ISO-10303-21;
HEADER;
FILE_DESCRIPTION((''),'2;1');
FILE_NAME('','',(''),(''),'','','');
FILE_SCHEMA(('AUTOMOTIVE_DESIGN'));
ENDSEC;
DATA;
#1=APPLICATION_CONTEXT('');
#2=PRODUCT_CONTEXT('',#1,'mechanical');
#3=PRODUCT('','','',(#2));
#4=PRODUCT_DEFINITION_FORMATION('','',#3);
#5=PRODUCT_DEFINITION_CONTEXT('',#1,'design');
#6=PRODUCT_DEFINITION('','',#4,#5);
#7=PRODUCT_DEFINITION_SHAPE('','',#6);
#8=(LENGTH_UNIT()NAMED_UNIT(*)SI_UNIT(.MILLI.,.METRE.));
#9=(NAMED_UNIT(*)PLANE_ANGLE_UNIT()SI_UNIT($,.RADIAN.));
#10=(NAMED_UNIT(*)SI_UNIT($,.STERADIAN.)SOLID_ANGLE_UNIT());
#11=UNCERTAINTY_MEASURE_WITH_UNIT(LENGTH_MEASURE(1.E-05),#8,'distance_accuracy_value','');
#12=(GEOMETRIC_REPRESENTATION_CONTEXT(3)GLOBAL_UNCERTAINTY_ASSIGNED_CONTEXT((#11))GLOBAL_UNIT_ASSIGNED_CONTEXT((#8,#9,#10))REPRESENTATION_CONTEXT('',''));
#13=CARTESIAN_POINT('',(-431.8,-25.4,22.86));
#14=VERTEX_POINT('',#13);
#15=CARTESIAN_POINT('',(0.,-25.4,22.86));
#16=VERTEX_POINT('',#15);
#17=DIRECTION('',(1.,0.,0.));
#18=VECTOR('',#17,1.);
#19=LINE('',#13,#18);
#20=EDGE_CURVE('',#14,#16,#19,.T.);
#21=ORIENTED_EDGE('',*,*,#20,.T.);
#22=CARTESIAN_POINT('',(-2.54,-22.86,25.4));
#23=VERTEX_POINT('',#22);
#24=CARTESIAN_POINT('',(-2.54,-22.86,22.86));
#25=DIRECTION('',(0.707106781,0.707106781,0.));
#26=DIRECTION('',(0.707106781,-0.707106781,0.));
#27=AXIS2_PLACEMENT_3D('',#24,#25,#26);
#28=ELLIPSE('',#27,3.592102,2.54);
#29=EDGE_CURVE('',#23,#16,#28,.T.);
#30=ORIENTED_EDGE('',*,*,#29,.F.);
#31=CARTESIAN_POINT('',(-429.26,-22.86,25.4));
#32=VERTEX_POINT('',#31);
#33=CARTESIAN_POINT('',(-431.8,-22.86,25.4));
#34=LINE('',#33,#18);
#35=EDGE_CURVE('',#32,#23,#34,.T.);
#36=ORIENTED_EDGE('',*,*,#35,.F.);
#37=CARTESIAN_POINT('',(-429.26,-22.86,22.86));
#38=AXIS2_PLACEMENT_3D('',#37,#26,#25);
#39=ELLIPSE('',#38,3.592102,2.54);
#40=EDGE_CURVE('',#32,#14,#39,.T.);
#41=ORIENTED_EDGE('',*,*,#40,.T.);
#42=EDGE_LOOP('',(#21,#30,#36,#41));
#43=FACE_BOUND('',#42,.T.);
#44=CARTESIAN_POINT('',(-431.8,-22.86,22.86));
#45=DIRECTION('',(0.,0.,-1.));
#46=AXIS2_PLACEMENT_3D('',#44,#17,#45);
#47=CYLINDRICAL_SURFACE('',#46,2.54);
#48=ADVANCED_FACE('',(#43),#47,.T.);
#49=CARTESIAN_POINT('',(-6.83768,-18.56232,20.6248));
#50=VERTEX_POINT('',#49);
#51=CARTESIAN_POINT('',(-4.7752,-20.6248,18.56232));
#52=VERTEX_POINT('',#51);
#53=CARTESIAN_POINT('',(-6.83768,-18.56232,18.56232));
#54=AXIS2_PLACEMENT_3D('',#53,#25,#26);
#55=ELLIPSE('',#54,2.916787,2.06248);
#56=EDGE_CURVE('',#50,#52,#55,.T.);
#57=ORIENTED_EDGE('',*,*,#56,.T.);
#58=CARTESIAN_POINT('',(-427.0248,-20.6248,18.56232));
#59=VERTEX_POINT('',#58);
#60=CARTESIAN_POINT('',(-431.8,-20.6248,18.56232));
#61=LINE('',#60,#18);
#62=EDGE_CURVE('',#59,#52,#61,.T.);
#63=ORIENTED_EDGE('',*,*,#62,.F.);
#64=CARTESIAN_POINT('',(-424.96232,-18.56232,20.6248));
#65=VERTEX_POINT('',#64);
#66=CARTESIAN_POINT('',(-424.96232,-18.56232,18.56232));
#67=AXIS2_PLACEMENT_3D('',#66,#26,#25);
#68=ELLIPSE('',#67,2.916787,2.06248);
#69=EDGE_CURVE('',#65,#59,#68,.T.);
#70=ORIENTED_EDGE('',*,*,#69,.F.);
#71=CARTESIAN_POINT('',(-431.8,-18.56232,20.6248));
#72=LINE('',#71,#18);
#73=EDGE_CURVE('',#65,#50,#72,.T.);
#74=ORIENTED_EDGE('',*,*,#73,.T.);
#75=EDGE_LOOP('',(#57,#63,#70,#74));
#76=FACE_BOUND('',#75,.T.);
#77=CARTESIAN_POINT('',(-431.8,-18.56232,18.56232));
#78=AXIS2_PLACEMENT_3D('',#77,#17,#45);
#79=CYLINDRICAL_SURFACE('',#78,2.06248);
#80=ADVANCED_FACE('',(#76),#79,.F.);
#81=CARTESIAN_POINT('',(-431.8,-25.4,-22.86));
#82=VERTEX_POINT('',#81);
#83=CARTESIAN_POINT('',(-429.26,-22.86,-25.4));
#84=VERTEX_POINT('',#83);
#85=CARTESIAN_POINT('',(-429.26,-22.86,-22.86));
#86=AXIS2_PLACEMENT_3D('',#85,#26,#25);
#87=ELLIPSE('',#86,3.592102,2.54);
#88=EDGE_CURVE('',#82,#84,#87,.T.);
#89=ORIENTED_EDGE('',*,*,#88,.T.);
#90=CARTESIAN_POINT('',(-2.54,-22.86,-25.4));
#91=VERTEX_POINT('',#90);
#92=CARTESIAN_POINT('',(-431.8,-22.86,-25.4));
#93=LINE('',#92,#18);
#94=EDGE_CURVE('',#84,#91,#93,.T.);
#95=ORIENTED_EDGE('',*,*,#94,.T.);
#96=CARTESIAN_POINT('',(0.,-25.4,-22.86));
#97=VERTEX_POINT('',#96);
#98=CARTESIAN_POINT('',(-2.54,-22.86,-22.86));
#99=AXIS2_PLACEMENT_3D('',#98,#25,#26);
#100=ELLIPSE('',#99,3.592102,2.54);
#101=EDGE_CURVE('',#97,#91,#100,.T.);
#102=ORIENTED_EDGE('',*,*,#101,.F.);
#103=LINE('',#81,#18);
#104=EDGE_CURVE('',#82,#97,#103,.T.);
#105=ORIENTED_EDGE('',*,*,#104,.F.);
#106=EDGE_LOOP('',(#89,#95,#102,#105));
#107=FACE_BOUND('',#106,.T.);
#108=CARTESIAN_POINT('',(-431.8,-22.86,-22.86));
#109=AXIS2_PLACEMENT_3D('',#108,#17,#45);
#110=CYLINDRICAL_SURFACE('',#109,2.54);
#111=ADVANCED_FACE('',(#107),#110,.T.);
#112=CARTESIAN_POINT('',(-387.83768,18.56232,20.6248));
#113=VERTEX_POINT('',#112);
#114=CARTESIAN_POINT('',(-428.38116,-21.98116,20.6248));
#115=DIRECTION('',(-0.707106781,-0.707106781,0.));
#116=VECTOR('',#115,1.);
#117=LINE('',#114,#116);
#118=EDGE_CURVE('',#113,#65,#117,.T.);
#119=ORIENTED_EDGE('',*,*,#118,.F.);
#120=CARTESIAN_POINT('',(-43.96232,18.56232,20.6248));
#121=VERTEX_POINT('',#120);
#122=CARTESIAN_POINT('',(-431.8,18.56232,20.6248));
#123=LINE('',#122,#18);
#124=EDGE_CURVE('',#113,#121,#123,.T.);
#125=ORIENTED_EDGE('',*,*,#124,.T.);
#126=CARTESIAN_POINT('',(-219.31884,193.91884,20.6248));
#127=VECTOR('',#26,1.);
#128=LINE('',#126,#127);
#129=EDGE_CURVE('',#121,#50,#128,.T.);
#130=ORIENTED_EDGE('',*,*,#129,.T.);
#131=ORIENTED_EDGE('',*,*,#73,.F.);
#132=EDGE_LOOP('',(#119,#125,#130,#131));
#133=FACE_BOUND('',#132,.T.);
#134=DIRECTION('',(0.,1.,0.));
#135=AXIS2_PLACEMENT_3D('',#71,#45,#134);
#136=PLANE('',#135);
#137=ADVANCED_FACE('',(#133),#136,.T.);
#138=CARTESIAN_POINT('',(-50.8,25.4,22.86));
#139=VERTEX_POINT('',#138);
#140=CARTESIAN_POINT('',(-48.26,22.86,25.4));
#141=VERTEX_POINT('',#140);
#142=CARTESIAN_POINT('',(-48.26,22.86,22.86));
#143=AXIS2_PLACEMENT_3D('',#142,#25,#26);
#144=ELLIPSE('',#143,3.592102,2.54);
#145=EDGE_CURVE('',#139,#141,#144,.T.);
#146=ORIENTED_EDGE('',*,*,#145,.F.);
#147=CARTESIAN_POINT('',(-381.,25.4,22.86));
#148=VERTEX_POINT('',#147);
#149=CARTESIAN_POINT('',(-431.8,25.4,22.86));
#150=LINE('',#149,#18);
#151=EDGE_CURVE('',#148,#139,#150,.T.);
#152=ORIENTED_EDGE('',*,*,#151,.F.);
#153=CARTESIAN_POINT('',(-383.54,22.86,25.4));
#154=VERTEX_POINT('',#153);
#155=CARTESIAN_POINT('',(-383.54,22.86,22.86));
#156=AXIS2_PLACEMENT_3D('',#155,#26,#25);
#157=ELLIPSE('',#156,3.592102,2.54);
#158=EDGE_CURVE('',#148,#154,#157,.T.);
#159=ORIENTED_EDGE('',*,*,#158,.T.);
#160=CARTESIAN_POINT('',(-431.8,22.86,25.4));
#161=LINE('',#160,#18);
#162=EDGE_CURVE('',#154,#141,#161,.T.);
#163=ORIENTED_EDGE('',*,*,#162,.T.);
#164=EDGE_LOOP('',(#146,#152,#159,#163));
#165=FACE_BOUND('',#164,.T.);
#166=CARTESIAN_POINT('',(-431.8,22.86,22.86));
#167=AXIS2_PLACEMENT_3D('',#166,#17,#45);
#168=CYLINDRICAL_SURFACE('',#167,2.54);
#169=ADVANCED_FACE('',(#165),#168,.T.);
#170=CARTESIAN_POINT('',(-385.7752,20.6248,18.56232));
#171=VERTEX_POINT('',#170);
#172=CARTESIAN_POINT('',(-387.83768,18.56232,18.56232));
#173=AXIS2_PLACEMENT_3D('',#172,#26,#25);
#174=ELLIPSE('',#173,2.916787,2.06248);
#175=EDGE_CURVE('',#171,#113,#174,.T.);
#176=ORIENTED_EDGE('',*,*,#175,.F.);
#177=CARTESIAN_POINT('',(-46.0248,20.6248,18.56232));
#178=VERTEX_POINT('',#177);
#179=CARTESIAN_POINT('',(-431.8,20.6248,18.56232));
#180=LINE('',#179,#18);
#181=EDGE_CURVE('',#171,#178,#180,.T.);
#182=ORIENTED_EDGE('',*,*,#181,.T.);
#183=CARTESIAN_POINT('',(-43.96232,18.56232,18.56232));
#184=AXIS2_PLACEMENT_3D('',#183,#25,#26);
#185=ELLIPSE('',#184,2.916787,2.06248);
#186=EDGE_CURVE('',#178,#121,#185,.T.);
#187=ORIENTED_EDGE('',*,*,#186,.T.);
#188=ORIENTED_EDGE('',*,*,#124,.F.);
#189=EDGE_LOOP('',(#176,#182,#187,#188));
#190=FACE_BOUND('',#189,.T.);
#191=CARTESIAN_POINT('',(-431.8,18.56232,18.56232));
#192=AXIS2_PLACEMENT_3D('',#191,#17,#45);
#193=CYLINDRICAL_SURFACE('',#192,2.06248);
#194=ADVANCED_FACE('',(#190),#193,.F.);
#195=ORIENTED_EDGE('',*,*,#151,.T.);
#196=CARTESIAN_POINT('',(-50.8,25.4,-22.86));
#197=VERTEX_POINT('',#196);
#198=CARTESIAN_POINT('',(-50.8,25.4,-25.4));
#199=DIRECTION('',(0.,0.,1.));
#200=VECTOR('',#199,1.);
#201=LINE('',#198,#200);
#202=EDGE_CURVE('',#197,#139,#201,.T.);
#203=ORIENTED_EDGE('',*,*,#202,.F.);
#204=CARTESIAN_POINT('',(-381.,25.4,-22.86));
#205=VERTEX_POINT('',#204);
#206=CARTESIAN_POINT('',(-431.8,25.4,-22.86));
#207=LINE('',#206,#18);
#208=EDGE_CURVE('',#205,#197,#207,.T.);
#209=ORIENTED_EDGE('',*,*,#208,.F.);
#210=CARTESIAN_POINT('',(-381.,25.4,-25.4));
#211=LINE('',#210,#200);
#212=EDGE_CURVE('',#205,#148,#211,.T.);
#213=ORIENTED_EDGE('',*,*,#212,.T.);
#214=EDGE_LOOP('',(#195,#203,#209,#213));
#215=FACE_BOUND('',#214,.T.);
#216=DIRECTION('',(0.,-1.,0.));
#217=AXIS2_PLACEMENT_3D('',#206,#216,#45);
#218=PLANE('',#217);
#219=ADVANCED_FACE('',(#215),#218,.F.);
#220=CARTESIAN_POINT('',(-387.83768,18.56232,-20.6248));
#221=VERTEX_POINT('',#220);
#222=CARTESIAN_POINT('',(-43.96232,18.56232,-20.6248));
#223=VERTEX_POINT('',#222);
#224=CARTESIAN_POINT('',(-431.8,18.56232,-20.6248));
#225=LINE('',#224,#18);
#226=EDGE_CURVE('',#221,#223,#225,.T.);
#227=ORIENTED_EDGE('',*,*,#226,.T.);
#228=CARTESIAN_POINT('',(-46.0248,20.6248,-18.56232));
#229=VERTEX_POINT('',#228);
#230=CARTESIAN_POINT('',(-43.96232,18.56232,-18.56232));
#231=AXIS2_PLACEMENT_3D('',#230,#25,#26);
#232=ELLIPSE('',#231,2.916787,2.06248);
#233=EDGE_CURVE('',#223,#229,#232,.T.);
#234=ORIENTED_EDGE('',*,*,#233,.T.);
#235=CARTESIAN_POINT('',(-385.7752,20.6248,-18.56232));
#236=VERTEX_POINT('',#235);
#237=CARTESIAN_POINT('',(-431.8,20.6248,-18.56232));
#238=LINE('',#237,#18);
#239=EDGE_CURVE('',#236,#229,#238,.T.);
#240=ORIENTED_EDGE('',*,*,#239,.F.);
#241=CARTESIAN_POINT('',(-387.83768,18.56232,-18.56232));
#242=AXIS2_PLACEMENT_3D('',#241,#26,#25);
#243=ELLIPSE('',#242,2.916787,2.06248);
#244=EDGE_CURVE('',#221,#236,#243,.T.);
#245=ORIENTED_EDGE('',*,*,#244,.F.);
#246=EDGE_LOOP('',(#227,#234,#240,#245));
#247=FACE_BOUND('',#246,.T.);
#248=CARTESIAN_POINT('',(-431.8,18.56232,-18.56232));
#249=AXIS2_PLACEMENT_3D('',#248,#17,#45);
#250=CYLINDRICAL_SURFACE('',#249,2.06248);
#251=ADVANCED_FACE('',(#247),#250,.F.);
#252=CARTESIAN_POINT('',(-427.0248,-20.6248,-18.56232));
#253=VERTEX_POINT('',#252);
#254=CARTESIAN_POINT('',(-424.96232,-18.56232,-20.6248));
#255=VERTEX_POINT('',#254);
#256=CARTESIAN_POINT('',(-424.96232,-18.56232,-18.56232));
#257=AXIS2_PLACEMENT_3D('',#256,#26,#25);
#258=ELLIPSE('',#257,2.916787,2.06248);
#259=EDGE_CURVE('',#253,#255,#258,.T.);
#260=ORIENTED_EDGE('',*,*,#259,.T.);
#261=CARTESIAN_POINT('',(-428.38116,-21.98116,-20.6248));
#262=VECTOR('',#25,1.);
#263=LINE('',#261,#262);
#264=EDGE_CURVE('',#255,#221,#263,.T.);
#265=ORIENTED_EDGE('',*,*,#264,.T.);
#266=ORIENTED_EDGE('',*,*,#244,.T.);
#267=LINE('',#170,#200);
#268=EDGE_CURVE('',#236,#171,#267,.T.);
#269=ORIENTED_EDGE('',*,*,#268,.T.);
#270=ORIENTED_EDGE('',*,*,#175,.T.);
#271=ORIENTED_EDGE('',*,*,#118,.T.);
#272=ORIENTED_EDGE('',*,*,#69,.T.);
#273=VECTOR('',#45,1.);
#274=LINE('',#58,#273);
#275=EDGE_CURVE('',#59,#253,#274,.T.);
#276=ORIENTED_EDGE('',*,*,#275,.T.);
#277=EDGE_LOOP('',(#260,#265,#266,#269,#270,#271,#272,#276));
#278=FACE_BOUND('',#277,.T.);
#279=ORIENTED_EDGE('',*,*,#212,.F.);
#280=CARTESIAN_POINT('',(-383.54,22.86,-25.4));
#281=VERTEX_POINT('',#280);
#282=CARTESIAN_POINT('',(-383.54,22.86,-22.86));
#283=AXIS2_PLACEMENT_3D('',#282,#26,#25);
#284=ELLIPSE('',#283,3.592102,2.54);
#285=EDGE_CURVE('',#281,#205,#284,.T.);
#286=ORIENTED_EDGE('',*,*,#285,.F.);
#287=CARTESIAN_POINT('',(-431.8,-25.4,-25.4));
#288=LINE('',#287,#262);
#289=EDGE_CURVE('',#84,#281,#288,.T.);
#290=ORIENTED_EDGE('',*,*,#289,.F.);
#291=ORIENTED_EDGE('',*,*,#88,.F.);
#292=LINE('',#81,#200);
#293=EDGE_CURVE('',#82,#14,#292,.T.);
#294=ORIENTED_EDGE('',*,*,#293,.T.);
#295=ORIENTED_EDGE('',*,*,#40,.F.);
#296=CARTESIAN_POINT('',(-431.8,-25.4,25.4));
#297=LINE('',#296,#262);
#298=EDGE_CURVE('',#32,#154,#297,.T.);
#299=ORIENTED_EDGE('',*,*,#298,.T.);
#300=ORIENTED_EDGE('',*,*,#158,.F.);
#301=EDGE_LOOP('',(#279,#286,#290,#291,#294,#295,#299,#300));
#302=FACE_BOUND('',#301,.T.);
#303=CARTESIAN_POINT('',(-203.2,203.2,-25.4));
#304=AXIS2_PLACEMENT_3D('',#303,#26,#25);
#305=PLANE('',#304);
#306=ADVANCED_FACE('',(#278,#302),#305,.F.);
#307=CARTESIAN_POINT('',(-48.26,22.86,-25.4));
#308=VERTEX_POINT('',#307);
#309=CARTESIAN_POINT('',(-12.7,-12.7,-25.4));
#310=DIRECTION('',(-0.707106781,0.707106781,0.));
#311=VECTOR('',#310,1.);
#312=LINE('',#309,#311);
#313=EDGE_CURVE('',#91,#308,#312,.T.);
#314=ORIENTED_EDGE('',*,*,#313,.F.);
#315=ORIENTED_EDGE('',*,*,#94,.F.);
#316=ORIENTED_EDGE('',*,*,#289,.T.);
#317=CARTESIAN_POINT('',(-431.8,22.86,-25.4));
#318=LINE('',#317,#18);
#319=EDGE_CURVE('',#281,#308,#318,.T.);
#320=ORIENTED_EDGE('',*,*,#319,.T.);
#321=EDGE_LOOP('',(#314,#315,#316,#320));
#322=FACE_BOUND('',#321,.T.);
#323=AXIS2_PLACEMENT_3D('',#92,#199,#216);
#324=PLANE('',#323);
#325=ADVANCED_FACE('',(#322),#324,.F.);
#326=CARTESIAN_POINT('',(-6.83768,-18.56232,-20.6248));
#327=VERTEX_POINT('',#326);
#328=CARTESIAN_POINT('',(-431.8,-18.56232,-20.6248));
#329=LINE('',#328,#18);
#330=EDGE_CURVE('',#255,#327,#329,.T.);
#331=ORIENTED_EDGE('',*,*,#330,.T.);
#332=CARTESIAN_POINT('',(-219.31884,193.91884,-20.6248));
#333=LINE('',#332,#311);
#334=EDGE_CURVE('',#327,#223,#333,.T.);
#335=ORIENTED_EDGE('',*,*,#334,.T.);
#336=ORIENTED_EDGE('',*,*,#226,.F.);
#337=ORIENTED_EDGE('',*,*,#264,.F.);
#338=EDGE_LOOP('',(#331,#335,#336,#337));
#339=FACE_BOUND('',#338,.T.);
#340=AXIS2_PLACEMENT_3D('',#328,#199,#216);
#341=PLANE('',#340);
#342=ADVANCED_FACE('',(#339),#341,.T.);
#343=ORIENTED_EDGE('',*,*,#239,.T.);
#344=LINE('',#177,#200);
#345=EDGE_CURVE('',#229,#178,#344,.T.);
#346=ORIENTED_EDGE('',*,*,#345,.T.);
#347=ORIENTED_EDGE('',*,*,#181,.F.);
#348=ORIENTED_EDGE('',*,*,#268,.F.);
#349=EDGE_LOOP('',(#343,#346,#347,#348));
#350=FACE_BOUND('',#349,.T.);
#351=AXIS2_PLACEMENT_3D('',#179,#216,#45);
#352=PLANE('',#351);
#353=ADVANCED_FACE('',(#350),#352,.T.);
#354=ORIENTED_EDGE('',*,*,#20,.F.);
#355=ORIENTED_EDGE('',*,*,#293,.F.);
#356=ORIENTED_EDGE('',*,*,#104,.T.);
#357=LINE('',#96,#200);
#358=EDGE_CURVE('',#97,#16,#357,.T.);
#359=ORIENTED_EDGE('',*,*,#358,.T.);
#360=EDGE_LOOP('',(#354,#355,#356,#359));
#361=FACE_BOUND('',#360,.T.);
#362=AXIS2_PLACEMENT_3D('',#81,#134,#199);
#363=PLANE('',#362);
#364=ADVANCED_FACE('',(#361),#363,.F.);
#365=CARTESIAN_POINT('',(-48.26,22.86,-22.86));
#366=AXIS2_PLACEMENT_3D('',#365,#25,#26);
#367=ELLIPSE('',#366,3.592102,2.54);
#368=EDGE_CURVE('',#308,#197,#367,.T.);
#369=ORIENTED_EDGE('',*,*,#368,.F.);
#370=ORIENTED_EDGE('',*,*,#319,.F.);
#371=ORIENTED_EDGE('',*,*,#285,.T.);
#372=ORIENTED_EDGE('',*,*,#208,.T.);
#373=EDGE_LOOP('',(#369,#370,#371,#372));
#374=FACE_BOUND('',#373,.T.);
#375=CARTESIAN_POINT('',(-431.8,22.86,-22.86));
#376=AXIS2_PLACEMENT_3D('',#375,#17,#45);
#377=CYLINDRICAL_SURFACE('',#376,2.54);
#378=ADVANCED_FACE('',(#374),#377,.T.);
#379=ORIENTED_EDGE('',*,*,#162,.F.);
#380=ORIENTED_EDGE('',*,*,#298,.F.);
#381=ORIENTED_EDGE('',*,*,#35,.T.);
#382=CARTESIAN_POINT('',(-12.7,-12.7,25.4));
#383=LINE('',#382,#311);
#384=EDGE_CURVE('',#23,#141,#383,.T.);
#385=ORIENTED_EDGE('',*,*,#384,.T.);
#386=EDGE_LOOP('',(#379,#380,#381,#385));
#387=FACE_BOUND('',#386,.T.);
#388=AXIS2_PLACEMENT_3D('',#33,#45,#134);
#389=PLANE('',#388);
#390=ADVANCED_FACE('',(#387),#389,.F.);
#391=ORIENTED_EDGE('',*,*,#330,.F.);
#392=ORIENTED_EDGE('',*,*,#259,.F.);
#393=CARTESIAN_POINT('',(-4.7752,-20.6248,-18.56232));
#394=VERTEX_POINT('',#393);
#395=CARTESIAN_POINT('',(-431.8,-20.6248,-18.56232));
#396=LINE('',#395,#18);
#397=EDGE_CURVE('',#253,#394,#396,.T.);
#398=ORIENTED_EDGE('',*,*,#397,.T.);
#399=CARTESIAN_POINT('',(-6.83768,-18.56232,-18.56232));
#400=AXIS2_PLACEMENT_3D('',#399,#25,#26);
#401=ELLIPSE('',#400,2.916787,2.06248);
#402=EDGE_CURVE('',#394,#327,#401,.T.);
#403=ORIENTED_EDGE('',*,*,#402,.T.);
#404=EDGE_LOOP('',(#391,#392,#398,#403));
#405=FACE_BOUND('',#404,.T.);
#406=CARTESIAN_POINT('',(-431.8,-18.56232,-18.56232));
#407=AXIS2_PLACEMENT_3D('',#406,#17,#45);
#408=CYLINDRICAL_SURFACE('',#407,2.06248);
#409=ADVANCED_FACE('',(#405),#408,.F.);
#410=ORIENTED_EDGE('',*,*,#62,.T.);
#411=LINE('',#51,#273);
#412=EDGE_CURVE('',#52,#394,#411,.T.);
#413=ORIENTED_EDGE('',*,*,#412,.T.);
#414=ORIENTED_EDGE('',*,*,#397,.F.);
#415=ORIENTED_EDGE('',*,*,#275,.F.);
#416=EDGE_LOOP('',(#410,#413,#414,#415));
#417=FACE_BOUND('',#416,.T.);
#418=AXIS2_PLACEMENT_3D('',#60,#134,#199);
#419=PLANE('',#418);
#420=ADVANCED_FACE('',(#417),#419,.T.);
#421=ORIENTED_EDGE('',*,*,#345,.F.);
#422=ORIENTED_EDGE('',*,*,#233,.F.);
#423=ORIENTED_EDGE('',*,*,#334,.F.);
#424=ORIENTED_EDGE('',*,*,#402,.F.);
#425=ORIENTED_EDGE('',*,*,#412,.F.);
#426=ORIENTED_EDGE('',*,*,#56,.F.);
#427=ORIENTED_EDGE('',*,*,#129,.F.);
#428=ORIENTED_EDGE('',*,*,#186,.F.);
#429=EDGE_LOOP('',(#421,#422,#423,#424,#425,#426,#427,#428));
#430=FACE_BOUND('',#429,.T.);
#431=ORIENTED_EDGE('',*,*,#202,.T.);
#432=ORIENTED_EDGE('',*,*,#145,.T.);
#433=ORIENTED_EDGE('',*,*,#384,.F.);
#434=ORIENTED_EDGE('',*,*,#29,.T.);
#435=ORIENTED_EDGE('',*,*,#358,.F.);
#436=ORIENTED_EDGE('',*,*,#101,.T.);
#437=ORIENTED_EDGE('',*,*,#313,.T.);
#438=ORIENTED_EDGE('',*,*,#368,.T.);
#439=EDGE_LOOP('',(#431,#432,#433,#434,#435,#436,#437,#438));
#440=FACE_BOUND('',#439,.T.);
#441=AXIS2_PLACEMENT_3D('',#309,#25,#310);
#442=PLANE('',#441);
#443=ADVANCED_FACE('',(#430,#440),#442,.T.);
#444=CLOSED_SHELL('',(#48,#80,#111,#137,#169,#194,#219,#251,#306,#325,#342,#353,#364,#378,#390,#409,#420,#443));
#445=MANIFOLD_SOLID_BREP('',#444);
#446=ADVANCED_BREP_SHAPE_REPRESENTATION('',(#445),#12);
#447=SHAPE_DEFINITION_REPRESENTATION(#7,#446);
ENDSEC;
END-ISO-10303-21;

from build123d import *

# Parameters (mm, degrees)
SQUARE_TUBE_2X2X188_A500_1_DEPTH = 431.8
CUT_EXTRUDE1_DEPTH               = 436.519276267


with BuildPart() as part:
    # Sketch12 → Square tube 2X2X188 A500(1) (new body)
    with BuildSketch(Plane(origin=(0, 0, 0), x_dir=(0, -1, 0), z_dir=(-1, 0, 0))):
        with BuildLine():
            Line((22.86, -25.4), (-22.86, -25.4))
            ThreePointArc((-22.86, -25.4), (-24.656051224, -24.656051224), (-25.4, -22.86))
            Line((-25.4, -22.86), (-25.4, 22.86))
            ThreePointArc((-25.4, 22.86), (-24.656051224, 24.656051224), (-22.86, 25.4))
            Line((-22.86, 25.4), (22.86, 25.4))
            ThreePointArc((22.86, 25.4), (24.656051224, 24.656051224), (25.4, 22.86))
            Line((25.4, 22.86), (25.4, -22.86))
            ThreePointArc((25.4, -22.86), (24.656051224, -24.656051224), (22.86, -25.4))
        make_face()
        with BuildLine():
            Line((18.56232, 20.6248), (-18.56232, 20.6248))
            ThreePointArc((-18.56232, 20.6248), (-20.020713594, 20.020713594), (-20.6248, 18.56232))
            Line((-20.6248, 18.56232), (-20.6248, -18.56232))
            ThreePointArc((-20.6248, -18.56232), (-20.020713594, -20.020713594), (-18.56232, -20.6248))
            Line((-18.56232, -20.6248), (18.56232, -20.6248))
            ThreePointArc((18.56232, -20.6248), (20.020713594, -20.020713594), (20.6248, -18.56232))
            Line((20.6248, -18.56232), (20.6248, 18.56232))
            ThreePointArc((20.6248, 18.56232), (20.020713594, 20.020713594), (18.56232, 20.6248))
        make_face(mode=Mode.SUBTRACT)
    extrude(amount=SQUARE_TUBE_2X2X188_A500_1_DEPTH)

    # Sketch14 → Cut-Extrude1 (cut, through all)
    with BuildSketch(Plane.XY.offset(25.4)):
        Polygon((-431.8, -25.4), (-431.8, 25.4), (-381, 25.4), align=None)
        Polygon((0, -25.4), (0, 25.4), (-50.8, 25.4), align=None)
    extrude(amount=-CUT_EXTRUDE1_DEPTH, mode=Mode.SUBTRACT)


solid = part.part
